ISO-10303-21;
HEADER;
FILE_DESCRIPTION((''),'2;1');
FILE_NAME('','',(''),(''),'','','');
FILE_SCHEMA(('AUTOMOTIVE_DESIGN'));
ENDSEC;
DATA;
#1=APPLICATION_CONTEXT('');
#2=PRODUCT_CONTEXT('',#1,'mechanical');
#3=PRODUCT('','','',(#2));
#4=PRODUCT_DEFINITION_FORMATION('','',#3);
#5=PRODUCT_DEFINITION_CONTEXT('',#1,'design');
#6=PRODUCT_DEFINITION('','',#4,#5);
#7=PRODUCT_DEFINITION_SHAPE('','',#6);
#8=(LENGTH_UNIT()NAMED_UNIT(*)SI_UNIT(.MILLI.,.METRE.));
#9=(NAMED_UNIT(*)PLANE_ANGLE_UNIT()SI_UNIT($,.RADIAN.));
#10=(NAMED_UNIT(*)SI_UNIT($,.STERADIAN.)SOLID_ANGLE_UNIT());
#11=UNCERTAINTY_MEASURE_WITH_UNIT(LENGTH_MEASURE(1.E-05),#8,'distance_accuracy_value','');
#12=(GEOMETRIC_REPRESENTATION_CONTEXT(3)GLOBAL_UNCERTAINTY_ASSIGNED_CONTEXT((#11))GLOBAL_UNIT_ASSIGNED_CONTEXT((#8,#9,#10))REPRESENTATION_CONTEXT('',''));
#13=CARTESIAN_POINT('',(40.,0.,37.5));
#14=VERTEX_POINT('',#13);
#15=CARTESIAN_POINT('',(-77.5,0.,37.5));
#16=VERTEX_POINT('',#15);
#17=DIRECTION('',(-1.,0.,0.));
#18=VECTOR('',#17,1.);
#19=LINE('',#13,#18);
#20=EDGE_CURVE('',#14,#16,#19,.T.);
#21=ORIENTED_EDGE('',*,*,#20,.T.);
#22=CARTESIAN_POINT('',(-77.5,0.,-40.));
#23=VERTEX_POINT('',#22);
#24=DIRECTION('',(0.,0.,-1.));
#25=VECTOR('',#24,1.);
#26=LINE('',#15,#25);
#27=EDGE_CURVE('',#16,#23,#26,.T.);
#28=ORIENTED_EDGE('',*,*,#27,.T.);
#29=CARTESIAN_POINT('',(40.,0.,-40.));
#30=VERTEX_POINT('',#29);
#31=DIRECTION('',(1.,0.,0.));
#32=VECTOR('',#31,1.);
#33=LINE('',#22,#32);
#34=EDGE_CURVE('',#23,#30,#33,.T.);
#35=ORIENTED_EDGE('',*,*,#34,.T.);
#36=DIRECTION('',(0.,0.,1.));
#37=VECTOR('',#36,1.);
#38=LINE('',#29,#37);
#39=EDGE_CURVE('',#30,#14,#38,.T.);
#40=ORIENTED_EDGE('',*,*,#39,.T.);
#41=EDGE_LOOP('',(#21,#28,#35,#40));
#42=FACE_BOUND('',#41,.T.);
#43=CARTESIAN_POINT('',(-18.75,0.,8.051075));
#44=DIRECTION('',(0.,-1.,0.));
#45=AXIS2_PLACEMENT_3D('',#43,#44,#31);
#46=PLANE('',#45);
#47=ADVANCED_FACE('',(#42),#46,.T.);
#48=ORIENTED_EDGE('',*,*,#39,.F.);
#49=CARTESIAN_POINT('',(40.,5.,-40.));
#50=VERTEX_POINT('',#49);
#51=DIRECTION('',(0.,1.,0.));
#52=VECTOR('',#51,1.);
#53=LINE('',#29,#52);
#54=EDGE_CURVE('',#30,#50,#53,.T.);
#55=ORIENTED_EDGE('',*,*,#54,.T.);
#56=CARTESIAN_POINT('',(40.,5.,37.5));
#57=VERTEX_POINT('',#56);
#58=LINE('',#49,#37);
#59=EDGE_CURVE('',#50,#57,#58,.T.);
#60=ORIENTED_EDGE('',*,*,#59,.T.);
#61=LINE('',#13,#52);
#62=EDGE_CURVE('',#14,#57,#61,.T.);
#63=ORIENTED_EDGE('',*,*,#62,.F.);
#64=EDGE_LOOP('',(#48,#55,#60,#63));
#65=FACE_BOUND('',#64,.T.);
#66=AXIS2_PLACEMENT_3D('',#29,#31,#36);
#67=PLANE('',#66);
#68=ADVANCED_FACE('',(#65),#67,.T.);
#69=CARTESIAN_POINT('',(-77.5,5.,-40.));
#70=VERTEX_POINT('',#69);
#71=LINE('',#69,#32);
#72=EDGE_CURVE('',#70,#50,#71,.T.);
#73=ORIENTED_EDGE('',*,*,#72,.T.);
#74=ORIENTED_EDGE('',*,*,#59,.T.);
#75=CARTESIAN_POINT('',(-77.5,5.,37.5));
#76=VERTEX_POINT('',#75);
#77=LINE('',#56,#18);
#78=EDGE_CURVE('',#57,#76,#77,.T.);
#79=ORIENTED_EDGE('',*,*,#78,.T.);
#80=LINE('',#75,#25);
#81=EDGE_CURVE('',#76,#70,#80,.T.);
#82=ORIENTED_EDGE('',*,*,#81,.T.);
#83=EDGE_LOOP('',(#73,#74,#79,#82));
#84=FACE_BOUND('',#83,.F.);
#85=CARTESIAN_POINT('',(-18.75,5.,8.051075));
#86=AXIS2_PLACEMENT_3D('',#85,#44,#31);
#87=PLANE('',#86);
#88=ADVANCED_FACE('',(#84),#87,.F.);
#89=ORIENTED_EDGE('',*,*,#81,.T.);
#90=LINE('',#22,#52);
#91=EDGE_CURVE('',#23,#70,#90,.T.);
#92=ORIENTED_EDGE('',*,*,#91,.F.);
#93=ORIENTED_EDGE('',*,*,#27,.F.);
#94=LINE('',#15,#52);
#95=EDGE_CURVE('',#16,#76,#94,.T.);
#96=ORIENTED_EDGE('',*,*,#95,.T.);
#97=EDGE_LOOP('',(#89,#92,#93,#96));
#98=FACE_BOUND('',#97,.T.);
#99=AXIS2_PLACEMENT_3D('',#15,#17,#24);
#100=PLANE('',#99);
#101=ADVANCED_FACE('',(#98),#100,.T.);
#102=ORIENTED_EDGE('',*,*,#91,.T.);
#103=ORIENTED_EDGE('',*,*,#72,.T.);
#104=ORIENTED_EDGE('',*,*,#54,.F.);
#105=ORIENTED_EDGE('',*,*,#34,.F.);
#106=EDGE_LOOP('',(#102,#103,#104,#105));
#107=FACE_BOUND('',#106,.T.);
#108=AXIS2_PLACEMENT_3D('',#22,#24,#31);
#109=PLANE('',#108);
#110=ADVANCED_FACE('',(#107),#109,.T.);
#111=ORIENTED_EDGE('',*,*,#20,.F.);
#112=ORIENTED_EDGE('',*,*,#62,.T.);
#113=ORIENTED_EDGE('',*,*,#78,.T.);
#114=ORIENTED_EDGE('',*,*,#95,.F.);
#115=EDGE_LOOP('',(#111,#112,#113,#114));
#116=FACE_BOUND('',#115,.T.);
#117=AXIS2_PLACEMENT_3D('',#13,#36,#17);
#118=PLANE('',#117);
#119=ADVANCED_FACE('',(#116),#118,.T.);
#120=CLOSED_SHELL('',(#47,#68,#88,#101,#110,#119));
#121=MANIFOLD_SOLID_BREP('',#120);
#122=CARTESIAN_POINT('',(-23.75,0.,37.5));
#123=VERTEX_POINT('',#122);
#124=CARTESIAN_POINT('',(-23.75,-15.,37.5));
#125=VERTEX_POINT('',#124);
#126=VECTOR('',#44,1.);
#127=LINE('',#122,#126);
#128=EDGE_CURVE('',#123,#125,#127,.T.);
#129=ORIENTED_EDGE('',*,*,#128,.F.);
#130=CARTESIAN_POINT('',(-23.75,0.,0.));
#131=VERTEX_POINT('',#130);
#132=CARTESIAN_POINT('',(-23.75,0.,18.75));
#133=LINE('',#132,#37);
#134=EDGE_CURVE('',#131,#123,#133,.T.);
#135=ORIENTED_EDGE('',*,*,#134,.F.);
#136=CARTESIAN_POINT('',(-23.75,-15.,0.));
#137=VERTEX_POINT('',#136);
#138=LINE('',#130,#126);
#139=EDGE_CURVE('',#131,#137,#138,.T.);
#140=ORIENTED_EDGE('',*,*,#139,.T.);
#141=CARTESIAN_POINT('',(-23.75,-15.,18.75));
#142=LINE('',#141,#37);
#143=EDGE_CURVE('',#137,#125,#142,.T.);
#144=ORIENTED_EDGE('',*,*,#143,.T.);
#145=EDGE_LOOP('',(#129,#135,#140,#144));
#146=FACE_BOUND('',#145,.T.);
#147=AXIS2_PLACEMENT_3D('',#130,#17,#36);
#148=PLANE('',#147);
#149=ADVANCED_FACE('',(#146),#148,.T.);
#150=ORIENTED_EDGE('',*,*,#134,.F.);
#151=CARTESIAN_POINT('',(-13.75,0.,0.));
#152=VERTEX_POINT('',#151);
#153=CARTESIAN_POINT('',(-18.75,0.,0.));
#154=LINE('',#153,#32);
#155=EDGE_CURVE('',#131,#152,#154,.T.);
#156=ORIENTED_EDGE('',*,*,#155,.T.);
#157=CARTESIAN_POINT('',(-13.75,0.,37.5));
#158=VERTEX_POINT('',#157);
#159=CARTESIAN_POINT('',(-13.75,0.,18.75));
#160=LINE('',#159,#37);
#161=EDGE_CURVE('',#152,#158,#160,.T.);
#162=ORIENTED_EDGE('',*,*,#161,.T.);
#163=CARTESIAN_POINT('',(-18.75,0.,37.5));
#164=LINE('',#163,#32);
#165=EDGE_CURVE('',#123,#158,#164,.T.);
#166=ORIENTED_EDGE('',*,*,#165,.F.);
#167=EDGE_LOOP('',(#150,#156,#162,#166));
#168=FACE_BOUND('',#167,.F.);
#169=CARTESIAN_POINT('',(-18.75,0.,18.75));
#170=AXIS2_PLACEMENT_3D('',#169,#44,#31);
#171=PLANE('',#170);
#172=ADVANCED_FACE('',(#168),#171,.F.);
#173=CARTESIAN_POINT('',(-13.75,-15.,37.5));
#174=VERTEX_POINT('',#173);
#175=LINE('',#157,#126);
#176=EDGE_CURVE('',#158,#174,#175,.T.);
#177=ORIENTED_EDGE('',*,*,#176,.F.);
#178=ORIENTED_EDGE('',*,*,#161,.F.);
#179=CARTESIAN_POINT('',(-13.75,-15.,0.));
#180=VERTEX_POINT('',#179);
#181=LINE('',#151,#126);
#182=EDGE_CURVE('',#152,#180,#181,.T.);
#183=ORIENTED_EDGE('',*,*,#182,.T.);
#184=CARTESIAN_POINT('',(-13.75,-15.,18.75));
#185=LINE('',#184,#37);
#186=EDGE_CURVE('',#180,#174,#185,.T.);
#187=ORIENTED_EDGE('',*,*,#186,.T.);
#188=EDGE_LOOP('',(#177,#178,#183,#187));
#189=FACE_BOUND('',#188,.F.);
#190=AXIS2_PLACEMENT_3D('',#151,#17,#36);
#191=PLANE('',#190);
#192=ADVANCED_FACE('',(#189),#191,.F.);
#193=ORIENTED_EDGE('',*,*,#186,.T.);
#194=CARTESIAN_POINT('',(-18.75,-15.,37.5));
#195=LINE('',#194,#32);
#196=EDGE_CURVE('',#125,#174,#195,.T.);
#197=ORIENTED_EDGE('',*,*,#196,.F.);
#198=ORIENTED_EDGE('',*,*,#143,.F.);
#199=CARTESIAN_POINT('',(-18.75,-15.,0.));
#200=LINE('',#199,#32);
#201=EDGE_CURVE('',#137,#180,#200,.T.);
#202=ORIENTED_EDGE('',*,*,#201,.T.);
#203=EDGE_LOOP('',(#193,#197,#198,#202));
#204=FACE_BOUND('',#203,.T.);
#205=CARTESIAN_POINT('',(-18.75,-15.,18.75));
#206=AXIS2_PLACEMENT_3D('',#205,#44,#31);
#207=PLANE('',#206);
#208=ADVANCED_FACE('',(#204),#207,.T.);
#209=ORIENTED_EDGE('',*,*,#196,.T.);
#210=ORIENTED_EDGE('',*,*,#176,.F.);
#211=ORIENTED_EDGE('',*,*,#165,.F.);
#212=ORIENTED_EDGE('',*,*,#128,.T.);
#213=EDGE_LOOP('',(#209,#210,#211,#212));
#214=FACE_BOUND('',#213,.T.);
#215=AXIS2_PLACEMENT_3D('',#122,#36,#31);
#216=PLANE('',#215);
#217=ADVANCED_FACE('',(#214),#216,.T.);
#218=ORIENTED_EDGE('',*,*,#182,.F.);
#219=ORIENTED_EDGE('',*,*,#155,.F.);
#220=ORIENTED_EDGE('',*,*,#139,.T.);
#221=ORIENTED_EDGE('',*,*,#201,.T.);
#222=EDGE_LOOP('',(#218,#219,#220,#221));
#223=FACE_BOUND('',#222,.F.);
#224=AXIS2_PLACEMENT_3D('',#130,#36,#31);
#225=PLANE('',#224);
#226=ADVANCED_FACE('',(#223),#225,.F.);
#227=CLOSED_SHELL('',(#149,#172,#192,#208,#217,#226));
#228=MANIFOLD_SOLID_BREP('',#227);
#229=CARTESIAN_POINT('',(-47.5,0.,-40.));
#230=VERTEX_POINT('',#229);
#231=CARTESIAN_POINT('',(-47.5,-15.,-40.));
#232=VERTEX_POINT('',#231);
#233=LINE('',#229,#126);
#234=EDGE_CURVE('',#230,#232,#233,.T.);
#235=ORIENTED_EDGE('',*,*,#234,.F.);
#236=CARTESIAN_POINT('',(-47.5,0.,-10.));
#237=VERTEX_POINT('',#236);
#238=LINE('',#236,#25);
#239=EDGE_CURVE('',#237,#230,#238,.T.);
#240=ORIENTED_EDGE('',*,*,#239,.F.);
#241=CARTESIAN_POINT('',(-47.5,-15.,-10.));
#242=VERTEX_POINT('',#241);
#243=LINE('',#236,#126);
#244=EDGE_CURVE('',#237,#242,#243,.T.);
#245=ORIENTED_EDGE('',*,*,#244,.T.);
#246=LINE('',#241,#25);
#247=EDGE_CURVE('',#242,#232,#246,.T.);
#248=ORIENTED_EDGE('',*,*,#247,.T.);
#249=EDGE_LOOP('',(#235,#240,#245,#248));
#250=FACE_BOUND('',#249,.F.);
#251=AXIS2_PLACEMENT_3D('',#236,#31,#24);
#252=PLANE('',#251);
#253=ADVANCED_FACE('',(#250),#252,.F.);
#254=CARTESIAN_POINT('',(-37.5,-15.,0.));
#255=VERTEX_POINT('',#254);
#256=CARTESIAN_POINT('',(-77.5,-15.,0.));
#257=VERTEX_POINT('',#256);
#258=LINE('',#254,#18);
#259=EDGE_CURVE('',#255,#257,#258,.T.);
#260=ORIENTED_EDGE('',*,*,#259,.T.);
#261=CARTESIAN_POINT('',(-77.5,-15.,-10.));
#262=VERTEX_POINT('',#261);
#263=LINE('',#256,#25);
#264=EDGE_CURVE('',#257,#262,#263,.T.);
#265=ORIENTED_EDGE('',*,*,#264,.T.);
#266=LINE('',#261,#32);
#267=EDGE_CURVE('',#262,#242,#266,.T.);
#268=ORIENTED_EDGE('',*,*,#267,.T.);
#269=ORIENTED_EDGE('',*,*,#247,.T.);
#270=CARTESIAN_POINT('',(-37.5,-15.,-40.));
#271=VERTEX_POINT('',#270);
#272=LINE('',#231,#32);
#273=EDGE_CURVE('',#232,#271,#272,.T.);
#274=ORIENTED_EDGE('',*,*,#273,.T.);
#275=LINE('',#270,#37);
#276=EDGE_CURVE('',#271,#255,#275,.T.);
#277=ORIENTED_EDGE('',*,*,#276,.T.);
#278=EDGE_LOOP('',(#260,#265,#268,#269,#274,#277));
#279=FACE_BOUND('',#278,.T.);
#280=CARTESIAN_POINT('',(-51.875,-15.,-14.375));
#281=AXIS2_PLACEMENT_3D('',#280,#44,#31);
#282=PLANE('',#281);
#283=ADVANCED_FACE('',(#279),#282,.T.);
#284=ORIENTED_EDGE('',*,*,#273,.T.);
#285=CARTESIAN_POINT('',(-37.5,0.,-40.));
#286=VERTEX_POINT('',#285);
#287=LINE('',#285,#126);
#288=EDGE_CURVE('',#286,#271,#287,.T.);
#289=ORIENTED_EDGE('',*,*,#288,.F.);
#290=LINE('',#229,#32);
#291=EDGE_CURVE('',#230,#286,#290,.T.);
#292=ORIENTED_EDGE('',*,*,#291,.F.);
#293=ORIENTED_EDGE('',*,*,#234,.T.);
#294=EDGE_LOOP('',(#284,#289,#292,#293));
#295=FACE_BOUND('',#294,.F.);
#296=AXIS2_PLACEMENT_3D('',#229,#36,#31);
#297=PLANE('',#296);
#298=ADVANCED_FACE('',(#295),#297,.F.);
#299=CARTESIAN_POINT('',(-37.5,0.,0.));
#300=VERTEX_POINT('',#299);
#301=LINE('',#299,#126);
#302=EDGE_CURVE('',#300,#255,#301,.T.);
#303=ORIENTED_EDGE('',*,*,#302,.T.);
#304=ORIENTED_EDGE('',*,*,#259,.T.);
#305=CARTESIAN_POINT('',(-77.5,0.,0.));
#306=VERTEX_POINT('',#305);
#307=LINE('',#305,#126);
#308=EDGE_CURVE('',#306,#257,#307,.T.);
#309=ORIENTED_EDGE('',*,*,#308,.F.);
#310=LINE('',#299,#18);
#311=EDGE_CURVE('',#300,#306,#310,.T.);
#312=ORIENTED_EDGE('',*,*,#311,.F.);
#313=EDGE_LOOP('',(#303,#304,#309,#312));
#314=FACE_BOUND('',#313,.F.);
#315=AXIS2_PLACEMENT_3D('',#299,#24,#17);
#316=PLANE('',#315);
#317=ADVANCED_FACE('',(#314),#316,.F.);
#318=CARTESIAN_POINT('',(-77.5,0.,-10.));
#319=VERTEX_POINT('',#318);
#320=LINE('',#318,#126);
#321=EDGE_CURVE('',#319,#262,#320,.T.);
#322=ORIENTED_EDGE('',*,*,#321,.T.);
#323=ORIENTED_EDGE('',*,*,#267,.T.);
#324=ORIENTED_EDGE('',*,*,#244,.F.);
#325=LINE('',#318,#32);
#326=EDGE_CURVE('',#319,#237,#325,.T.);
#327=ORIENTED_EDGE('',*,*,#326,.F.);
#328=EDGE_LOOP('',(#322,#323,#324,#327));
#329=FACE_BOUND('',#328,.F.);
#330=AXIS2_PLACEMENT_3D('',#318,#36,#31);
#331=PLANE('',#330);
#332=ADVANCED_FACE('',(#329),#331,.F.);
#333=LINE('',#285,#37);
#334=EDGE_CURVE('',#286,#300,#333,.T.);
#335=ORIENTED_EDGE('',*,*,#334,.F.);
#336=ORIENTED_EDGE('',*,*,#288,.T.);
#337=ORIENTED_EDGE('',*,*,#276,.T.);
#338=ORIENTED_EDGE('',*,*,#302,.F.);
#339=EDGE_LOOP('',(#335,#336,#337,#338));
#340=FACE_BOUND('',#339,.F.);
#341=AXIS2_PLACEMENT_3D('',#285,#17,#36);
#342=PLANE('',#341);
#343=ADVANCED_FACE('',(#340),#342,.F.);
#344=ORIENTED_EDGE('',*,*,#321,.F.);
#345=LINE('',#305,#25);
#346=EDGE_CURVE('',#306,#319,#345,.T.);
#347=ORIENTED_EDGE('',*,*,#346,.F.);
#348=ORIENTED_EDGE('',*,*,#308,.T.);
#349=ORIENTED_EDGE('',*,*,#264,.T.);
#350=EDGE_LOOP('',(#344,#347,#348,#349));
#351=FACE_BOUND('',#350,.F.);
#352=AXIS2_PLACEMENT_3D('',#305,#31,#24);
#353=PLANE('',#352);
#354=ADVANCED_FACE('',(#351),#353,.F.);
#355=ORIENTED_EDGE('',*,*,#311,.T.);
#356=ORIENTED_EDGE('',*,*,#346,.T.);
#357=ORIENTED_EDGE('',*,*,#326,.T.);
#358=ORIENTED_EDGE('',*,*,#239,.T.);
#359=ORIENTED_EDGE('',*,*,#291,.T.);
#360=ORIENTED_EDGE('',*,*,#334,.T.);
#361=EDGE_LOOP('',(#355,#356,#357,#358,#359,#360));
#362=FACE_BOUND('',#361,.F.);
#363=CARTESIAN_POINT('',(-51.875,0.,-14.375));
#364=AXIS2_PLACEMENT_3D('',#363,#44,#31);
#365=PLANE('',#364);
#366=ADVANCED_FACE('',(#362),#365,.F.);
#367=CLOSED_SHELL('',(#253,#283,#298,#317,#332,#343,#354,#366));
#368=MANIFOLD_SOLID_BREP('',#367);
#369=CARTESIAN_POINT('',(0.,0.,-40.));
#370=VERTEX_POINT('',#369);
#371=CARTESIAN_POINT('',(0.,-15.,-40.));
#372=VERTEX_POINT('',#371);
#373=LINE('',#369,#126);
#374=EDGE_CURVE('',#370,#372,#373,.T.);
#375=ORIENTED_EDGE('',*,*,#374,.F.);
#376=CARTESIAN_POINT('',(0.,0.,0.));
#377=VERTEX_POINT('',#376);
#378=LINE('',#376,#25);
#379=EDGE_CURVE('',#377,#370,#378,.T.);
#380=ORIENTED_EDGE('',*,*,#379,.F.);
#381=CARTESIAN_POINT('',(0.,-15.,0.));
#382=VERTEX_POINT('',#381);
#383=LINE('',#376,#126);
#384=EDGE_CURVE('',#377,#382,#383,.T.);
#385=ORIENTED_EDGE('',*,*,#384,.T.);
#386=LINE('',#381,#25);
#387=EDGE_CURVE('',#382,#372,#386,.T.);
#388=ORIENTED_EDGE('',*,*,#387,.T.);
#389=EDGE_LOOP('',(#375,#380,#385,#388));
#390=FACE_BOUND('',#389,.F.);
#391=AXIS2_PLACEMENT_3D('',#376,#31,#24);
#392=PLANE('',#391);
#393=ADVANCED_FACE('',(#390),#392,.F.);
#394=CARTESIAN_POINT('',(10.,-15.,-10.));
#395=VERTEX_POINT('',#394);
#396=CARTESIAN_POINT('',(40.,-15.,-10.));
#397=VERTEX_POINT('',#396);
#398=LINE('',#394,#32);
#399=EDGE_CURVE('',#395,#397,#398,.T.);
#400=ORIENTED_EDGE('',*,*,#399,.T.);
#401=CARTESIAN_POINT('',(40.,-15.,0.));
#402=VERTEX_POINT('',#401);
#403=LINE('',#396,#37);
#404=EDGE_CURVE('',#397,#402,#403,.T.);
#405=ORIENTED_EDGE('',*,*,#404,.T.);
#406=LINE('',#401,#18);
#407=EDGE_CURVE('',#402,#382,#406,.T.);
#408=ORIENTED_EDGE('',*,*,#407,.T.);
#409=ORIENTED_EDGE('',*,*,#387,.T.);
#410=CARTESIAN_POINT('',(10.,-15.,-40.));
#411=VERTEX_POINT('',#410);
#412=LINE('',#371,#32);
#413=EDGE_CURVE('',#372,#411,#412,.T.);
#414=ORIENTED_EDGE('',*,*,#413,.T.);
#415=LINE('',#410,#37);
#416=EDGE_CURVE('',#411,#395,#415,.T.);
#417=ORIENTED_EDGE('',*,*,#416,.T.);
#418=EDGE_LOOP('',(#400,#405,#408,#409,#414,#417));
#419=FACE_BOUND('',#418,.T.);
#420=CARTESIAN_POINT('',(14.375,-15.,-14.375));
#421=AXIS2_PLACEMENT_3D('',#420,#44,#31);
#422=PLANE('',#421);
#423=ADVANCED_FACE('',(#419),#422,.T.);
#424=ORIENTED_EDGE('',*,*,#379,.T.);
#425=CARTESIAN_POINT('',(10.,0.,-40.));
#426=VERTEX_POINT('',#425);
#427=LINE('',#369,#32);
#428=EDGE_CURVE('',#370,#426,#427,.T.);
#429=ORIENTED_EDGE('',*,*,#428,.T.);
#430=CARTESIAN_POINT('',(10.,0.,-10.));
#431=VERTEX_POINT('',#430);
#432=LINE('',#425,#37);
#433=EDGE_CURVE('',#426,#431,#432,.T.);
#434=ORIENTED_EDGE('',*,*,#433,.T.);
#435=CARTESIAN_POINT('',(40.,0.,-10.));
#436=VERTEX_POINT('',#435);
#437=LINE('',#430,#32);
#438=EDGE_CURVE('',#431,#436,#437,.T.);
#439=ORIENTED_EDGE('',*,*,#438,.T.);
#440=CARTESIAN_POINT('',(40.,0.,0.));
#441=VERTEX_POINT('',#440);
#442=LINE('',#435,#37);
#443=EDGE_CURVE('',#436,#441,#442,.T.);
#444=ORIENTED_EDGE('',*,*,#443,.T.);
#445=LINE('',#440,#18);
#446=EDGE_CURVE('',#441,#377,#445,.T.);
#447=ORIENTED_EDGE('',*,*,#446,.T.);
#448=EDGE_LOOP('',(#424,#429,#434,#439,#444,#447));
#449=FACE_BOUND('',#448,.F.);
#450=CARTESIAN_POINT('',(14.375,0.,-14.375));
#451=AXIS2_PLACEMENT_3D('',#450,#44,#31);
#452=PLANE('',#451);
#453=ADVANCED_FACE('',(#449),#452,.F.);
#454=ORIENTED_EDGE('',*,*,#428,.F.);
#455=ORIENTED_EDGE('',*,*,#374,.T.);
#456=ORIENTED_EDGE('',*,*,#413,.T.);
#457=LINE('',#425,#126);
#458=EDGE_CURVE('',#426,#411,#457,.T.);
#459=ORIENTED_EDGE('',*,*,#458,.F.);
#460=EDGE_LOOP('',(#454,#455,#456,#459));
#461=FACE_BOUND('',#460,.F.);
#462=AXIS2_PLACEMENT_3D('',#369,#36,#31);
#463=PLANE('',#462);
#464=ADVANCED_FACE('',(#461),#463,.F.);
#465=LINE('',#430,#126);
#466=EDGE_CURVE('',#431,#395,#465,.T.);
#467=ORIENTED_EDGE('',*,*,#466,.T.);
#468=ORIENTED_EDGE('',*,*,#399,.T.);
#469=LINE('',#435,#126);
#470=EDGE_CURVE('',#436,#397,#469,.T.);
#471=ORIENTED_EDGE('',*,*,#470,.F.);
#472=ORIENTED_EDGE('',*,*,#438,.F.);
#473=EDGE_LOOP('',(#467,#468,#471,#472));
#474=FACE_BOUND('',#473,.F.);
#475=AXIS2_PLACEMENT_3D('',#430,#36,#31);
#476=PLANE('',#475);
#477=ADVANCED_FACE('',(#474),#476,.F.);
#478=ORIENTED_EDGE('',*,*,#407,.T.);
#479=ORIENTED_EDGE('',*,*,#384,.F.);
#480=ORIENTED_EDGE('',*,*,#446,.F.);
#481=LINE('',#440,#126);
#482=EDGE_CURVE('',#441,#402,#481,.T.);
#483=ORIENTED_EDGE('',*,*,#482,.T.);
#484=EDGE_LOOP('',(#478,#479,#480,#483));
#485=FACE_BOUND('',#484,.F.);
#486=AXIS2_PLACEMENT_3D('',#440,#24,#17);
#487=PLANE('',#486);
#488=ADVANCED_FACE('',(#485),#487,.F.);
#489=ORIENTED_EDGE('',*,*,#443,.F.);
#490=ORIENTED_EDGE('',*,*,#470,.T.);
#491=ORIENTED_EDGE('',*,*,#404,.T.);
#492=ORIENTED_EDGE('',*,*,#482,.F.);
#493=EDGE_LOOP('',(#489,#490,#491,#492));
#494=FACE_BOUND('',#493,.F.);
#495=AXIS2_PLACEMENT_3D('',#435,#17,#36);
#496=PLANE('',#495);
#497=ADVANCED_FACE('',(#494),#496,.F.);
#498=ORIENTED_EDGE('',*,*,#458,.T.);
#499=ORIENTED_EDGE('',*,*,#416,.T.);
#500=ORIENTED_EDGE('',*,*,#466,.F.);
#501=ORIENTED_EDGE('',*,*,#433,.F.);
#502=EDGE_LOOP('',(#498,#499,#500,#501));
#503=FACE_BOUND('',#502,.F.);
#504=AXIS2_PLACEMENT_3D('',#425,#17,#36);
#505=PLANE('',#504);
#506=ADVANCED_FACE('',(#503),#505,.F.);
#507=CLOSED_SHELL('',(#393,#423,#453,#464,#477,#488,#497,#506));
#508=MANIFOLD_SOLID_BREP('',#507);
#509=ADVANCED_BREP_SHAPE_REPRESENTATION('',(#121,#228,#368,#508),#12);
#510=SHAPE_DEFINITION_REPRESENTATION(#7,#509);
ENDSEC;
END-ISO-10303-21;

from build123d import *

# Parameters (mm, degrees)
F0_W     = 10
F0_H     = 37.5
F1_DEPTH = 15
F0_W_2   = 30
F0_H_2   = 30
F2_DEPTH = 5


with BuildPart() as f1:
    # F0 (on Front) → F1 (new body)
    with BuildSketch(Plane.XZ):
        with Locations((-18.75, 18.75)):
            Rectangle(F0_W, F0_H)
        Polygon((40, 0), (0, 0), (0, -40), (10, -40), (10, -10), (40, -10), align=None)
        Polygon((-47.5, -40), (-37.5, -40), (-37.5, 0), (-77.5, 0), (-77.5, -10), (-47.5, -10), align=None)
    extrude(amount=F1_DEPTH)


with BuildPart() as f2:
    # F0 (on Front) → F2 (new body)
    with BuildSketch(Plane.XZ):
        Polygon((0, -40), (0, 0), (40, 0), (40, 37.5), (-13.75, 37.5), (-13.75, 0), (-23.75, 0), (-23.75, 37.5), (-77.5, 37.5), (-77.5, 0), (-37.5, 0), (-37.5, -40), align=None)
        Polygon((40, 0), (0, 0), (0, -40), (10, -40), (10, -10), (40, -10), align=None)
        with Locations((25, -25)):
            Rectangle(F0_W_2, F0_H_2)
        Polygon((-47.5, -40), (-37.5, -40), (-37.5, 0), (-77.5, 0), (-77.5, -10), (-47.5, -10), align=None)
        with Locations((-18.75, 18.75)):
            Rectangle(F0_W, F0_H)
        with Locations((-62.5, -25)):
            Rectangle(F0_W_2, F0_H_2)
    extrude(amount=-F2_DEPTH)


solid = Compound([f1.part, f2.part])
